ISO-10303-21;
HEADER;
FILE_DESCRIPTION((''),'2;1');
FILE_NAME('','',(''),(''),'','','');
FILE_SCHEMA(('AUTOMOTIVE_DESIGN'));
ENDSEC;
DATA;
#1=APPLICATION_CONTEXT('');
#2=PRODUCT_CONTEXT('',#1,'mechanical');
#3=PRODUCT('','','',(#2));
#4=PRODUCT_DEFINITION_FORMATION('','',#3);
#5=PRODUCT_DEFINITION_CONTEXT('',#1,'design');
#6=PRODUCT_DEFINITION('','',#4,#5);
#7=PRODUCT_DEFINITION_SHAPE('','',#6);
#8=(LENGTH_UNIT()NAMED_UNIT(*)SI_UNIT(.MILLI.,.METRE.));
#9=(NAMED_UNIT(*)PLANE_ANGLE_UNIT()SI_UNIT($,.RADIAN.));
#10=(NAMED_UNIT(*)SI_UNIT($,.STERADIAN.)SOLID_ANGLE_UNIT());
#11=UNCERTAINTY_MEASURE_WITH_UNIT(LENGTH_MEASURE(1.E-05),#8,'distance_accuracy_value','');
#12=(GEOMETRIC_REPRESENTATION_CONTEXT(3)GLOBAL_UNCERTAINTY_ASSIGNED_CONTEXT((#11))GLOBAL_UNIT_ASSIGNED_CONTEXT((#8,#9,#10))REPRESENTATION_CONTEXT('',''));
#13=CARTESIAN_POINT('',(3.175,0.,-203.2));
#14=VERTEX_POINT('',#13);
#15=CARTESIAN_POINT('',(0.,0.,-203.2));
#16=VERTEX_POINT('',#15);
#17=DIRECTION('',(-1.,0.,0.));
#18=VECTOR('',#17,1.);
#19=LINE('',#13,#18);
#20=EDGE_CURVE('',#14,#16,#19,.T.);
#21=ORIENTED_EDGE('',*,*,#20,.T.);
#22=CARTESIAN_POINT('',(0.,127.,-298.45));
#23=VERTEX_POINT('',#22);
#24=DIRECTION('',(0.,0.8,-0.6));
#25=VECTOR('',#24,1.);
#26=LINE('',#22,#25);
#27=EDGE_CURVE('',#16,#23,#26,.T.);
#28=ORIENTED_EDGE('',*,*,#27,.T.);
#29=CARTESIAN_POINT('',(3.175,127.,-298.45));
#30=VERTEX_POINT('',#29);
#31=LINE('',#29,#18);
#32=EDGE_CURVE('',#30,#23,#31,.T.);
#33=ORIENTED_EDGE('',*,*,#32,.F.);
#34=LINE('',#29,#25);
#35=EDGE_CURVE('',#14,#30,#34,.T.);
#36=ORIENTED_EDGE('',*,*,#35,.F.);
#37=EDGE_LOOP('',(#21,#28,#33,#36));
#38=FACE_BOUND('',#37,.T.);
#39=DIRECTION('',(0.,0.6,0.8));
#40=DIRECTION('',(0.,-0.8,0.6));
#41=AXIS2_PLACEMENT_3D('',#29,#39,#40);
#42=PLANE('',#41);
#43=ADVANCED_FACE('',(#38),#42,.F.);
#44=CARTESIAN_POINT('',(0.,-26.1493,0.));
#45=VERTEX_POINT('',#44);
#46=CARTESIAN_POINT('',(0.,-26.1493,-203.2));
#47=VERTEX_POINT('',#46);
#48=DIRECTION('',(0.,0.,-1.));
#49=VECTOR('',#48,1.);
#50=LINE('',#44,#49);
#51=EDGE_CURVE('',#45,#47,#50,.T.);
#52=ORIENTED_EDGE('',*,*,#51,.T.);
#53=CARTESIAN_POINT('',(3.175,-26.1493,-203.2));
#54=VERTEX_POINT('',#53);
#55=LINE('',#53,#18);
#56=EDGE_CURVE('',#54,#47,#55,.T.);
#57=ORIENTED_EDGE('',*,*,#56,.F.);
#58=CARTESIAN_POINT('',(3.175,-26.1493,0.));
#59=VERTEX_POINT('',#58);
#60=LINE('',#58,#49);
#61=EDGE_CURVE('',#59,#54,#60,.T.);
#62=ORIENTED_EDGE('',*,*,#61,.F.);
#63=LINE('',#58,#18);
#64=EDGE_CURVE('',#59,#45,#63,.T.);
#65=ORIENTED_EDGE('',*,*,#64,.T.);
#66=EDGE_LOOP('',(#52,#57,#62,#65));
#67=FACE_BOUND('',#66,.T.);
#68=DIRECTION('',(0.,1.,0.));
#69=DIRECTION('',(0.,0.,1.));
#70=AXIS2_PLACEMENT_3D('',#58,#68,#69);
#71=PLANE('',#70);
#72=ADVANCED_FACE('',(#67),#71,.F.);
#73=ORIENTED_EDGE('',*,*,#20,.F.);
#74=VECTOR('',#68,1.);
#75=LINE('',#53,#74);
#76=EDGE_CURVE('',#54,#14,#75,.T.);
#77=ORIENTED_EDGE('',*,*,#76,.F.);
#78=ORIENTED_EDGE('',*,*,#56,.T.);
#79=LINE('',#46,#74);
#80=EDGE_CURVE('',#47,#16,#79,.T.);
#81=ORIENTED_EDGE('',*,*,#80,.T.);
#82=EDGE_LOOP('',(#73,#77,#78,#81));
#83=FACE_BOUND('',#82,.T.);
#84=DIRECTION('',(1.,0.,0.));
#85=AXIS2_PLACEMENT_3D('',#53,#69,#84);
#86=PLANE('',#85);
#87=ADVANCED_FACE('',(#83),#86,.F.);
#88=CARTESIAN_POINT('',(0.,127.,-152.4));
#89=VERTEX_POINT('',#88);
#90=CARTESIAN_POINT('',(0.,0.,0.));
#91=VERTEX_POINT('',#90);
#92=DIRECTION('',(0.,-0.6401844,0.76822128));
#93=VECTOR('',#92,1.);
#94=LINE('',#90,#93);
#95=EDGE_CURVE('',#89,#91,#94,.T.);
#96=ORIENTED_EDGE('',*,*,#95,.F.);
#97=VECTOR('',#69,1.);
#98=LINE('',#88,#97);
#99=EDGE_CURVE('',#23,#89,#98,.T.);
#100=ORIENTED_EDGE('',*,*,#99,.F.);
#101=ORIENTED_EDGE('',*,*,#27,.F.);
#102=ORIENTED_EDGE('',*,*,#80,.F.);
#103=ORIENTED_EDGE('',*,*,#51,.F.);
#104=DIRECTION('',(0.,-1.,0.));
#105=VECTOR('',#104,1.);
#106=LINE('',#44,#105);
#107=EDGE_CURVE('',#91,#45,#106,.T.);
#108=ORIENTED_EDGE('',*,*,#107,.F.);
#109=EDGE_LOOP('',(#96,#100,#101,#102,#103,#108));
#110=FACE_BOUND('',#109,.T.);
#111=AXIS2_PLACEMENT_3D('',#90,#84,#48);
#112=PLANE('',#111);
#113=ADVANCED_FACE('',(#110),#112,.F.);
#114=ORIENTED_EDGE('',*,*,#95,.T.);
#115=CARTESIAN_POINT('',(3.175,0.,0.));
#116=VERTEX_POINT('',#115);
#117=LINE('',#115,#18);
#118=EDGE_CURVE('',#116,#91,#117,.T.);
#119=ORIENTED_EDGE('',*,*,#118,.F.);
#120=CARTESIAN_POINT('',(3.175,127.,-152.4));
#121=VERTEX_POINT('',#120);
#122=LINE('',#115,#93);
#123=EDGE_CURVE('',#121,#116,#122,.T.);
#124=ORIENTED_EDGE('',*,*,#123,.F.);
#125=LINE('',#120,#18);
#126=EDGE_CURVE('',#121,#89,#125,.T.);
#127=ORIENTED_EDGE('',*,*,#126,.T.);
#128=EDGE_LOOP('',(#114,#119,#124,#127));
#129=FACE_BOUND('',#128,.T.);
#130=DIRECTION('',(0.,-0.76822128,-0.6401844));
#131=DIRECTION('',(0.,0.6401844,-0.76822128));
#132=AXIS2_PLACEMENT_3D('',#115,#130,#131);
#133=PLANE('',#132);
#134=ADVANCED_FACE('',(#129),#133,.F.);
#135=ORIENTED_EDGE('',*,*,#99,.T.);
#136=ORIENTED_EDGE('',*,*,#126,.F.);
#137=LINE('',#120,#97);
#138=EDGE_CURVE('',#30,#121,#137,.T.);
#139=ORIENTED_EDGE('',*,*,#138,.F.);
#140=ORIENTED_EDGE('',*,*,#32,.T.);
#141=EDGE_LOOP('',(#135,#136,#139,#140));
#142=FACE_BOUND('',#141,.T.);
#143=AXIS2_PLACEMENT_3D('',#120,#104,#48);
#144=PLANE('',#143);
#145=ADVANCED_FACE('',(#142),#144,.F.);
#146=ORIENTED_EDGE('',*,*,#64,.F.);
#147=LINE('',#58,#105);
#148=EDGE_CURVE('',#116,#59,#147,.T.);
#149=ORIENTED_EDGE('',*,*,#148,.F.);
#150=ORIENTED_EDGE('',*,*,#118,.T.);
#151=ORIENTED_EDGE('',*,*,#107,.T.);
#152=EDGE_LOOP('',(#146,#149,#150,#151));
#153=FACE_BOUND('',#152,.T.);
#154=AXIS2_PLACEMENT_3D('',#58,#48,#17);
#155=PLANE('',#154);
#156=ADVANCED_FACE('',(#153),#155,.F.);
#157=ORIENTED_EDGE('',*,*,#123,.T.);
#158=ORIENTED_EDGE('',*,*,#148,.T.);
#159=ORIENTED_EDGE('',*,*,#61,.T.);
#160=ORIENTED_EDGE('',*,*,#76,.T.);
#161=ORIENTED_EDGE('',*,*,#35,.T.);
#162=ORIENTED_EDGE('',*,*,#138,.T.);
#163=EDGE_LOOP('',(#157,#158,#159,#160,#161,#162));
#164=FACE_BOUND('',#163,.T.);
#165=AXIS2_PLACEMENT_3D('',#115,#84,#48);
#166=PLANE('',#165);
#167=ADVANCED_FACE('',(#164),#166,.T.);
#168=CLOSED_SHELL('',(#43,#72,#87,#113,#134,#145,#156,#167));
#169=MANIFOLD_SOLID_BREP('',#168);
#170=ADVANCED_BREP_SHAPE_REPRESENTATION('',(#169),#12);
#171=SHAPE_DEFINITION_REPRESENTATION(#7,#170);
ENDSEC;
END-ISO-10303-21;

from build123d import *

# Parameters (mm, degrees)
BOSS_EXTRUDE1_DEPTH = 3.175


with BuildPart() as part:
    # Sketch2 → Boss-Extrude1 (new body)
    with BuildSketch(Plane(origin=(0, 0, 0), x_dir=(0, 0, -1), z_dir=(1, 0, 0))):
        Polygon((0, 0), (152.4, 127), (298.45, 127), (203.2, 0), (203.2, -26.1493), (0, -26.1493), align=None)
    extrude(amount=BOSS_EXTRUDE1_DEPTH)


solid = part.part
